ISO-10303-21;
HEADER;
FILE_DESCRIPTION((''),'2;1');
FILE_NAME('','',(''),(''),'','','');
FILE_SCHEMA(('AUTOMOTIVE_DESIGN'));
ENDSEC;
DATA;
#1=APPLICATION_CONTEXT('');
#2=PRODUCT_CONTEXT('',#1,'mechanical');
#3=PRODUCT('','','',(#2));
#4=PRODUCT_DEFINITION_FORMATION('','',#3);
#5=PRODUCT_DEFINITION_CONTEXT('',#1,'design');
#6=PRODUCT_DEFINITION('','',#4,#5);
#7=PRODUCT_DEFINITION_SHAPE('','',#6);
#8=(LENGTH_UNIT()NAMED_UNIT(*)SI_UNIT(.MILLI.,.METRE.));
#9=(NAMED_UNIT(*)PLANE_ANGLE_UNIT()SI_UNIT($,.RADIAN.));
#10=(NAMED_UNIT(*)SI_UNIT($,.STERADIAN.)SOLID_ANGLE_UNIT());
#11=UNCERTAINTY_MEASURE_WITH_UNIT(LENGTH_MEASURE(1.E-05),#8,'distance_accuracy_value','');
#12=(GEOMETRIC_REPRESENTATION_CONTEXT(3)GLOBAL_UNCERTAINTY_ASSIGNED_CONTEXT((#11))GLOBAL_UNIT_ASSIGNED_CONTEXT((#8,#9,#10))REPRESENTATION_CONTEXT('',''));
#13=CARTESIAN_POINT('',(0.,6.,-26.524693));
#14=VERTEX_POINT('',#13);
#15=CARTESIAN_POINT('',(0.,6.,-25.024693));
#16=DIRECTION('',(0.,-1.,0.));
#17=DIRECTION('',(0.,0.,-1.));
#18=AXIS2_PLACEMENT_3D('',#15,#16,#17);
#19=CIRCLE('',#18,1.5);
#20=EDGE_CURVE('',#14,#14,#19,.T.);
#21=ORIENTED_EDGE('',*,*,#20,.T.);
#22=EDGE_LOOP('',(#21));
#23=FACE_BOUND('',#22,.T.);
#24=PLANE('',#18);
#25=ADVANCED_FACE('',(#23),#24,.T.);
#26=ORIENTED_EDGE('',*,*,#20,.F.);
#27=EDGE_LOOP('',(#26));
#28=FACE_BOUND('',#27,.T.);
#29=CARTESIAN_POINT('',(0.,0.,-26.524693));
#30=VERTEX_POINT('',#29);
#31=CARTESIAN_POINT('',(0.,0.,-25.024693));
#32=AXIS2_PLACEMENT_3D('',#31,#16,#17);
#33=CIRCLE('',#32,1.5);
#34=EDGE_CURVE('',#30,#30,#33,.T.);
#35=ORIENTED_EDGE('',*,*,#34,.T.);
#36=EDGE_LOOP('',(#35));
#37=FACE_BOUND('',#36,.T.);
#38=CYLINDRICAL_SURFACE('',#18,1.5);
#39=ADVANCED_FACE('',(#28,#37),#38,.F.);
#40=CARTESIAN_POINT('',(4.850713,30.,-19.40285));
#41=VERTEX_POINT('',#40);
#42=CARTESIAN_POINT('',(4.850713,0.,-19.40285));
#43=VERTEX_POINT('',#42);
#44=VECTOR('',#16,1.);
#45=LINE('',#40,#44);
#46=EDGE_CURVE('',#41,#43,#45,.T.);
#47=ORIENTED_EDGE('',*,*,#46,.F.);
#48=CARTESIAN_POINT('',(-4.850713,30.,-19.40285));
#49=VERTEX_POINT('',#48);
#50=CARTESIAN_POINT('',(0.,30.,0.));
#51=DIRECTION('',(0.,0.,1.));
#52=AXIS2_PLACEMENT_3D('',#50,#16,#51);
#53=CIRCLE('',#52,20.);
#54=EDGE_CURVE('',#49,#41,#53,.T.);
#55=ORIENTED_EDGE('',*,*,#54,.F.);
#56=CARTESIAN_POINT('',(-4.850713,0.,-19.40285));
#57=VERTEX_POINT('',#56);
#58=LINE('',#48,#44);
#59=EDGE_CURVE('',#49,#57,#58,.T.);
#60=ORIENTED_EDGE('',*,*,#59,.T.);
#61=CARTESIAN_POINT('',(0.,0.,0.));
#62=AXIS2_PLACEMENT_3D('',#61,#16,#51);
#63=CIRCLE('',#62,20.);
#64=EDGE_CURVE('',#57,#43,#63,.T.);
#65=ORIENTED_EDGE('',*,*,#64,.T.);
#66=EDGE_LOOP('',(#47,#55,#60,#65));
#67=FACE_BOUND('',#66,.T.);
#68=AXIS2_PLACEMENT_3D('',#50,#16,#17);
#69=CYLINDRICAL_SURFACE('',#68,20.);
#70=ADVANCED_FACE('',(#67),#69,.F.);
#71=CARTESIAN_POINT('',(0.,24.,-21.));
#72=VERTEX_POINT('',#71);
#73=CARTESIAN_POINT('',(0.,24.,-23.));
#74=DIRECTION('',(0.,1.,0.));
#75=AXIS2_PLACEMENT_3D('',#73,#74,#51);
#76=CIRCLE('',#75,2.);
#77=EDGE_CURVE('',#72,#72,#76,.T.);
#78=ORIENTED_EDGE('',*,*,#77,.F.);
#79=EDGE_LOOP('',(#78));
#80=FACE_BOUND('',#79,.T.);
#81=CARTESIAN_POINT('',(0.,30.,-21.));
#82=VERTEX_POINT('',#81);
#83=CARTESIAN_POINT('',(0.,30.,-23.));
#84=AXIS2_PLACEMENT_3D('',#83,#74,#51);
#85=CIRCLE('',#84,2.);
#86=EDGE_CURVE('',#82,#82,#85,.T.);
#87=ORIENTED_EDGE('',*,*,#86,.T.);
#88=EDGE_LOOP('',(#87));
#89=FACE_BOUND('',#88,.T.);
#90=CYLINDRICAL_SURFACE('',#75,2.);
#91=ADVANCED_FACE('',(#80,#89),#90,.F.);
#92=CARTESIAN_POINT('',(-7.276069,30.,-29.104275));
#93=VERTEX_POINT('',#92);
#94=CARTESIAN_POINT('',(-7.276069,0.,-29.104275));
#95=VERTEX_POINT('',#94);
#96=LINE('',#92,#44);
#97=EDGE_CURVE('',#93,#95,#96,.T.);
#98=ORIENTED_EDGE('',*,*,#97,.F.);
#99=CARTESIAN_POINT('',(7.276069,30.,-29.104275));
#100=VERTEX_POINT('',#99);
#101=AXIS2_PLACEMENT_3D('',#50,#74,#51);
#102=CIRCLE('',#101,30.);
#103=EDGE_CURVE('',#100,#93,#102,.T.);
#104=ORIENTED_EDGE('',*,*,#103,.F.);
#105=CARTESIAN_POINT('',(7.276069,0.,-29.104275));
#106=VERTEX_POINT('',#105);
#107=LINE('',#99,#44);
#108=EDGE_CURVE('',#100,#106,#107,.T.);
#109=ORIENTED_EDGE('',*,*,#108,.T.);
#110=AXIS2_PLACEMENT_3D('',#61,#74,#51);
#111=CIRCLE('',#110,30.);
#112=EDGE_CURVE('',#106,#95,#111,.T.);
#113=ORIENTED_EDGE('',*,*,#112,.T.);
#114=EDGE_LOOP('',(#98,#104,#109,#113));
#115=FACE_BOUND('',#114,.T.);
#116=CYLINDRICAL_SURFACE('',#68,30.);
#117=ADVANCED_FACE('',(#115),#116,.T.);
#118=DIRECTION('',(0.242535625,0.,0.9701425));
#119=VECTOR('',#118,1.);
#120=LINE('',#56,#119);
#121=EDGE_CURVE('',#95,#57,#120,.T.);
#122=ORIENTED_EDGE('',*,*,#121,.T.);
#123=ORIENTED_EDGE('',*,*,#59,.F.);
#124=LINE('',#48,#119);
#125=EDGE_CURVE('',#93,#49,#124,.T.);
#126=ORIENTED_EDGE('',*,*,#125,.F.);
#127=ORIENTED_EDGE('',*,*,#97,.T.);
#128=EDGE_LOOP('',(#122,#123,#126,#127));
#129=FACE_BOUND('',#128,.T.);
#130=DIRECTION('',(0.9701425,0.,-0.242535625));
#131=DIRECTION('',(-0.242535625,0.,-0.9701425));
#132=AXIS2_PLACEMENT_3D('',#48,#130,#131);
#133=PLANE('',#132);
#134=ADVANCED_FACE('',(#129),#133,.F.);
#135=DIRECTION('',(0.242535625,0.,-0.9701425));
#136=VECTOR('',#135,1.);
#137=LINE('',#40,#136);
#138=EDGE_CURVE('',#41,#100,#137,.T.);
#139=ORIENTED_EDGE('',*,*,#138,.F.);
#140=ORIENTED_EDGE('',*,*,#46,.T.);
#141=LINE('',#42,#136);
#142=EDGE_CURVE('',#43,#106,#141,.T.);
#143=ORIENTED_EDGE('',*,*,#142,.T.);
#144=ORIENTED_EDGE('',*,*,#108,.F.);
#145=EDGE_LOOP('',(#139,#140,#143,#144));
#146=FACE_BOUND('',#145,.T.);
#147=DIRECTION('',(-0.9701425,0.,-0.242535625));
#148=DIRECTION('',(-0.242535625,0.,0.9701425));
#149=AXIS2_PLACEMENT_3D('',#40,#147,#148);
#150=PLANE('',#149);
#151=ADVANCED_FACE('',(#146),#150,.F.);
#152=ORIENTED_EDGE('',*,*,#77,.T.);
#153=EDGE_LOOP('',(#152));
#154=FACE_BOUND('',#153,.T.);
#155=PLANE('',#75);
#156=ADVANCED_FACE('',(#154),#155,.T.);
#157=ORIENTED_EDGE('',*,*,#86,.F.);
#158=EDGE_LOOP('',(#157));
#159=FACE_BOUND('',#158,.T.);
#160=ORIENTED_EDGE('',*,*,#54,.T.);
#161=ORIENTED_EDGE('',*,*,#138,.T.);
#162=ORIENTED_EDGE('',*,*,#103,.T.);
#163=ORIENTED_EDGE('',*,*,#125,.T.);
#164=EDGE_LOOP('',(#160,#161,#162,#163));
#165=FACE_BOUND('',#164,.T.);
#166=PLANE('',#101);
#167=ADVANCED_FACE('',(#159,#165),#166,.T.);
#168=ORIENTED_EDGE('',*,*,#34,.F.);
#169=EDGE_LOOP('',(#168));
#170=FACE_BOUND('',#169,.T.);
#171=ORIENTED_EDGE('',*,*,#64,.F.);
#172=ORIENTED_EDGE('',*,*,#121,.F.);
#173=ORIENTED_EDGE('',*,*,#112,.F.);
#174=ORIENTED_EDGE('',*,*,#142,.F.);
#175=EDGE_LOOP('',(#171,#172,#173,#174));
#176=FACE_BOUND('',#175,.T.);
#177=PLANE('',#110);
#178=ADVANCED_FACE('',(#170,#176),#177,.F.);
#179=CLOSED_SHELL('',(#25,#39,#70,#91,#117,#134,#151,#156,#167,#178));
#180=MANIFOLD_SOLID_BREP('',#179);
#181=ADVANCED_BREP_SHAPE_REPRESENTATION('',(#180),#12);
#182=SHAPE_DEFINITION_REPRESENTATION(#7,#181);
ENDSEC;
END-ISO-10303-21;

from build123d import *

# Parameters (mm, degrees)
BOSS_EXTRUDE2_DEPTH = 30
SKETCH3_R           = 1.5
CUT_EXTRUDE1_DEPTH  = 6
SKETCH4_R           = 2
CUT_EXTRUDE2_DEPTH  = 6


with BuildPart() as part:
    # Sketch1 → Boss-Extrude2 (new body)
    with BuildSketch(Plane(origin=(0, 0, 0), x_dir=(1, 0, 0), z_dir=(0, 1, 0))):
        with BuildLine():
            Line((-4.850712501, 19.402850003), (-7.276068751, 29.104275004))
            ThreePointArc((-7.276068751, 29.104275004), (0, 30), (7.276068751, 29.104275004))
            Line((7.276068751, 29.104275004), (4.850712501, 19.402850003))
            ThreePointArc((4.850712501, 19.402850003), (0, 20), (-4.850712501, 19.402850003))
        make_face()
    extrude(amount=BOSS_EXTRUDE2_DEPTH)

    # Sketch3 → Cut-Extrude1 (cut)
    with BuildSketch(Plane.XZ):
        with Locations(Location((0, -25.024693025, 0), (0, 0, 270))):
            Circle(SKETCH3_R)
    extrude(amount=-CUT_EXTRUDE1_DEPTH, mode=Mode.SUBTRACT)

    # Sketch4 → Cut-Extrude2 (cut)
    with BuildSketch(Plane(origin=(0, 30, 0), x_dir=(1, 0, 0), z_dir=(0, 1, 0))):
        with Locations(Location((0, 23, 0), (0, 0, 270))):
            Circle(SKETCH4_R)
    extrude(amount=-CUT_EXTRUDE2_DEPTH, mode=Mode.SUBTRACT)


solid = part.part
